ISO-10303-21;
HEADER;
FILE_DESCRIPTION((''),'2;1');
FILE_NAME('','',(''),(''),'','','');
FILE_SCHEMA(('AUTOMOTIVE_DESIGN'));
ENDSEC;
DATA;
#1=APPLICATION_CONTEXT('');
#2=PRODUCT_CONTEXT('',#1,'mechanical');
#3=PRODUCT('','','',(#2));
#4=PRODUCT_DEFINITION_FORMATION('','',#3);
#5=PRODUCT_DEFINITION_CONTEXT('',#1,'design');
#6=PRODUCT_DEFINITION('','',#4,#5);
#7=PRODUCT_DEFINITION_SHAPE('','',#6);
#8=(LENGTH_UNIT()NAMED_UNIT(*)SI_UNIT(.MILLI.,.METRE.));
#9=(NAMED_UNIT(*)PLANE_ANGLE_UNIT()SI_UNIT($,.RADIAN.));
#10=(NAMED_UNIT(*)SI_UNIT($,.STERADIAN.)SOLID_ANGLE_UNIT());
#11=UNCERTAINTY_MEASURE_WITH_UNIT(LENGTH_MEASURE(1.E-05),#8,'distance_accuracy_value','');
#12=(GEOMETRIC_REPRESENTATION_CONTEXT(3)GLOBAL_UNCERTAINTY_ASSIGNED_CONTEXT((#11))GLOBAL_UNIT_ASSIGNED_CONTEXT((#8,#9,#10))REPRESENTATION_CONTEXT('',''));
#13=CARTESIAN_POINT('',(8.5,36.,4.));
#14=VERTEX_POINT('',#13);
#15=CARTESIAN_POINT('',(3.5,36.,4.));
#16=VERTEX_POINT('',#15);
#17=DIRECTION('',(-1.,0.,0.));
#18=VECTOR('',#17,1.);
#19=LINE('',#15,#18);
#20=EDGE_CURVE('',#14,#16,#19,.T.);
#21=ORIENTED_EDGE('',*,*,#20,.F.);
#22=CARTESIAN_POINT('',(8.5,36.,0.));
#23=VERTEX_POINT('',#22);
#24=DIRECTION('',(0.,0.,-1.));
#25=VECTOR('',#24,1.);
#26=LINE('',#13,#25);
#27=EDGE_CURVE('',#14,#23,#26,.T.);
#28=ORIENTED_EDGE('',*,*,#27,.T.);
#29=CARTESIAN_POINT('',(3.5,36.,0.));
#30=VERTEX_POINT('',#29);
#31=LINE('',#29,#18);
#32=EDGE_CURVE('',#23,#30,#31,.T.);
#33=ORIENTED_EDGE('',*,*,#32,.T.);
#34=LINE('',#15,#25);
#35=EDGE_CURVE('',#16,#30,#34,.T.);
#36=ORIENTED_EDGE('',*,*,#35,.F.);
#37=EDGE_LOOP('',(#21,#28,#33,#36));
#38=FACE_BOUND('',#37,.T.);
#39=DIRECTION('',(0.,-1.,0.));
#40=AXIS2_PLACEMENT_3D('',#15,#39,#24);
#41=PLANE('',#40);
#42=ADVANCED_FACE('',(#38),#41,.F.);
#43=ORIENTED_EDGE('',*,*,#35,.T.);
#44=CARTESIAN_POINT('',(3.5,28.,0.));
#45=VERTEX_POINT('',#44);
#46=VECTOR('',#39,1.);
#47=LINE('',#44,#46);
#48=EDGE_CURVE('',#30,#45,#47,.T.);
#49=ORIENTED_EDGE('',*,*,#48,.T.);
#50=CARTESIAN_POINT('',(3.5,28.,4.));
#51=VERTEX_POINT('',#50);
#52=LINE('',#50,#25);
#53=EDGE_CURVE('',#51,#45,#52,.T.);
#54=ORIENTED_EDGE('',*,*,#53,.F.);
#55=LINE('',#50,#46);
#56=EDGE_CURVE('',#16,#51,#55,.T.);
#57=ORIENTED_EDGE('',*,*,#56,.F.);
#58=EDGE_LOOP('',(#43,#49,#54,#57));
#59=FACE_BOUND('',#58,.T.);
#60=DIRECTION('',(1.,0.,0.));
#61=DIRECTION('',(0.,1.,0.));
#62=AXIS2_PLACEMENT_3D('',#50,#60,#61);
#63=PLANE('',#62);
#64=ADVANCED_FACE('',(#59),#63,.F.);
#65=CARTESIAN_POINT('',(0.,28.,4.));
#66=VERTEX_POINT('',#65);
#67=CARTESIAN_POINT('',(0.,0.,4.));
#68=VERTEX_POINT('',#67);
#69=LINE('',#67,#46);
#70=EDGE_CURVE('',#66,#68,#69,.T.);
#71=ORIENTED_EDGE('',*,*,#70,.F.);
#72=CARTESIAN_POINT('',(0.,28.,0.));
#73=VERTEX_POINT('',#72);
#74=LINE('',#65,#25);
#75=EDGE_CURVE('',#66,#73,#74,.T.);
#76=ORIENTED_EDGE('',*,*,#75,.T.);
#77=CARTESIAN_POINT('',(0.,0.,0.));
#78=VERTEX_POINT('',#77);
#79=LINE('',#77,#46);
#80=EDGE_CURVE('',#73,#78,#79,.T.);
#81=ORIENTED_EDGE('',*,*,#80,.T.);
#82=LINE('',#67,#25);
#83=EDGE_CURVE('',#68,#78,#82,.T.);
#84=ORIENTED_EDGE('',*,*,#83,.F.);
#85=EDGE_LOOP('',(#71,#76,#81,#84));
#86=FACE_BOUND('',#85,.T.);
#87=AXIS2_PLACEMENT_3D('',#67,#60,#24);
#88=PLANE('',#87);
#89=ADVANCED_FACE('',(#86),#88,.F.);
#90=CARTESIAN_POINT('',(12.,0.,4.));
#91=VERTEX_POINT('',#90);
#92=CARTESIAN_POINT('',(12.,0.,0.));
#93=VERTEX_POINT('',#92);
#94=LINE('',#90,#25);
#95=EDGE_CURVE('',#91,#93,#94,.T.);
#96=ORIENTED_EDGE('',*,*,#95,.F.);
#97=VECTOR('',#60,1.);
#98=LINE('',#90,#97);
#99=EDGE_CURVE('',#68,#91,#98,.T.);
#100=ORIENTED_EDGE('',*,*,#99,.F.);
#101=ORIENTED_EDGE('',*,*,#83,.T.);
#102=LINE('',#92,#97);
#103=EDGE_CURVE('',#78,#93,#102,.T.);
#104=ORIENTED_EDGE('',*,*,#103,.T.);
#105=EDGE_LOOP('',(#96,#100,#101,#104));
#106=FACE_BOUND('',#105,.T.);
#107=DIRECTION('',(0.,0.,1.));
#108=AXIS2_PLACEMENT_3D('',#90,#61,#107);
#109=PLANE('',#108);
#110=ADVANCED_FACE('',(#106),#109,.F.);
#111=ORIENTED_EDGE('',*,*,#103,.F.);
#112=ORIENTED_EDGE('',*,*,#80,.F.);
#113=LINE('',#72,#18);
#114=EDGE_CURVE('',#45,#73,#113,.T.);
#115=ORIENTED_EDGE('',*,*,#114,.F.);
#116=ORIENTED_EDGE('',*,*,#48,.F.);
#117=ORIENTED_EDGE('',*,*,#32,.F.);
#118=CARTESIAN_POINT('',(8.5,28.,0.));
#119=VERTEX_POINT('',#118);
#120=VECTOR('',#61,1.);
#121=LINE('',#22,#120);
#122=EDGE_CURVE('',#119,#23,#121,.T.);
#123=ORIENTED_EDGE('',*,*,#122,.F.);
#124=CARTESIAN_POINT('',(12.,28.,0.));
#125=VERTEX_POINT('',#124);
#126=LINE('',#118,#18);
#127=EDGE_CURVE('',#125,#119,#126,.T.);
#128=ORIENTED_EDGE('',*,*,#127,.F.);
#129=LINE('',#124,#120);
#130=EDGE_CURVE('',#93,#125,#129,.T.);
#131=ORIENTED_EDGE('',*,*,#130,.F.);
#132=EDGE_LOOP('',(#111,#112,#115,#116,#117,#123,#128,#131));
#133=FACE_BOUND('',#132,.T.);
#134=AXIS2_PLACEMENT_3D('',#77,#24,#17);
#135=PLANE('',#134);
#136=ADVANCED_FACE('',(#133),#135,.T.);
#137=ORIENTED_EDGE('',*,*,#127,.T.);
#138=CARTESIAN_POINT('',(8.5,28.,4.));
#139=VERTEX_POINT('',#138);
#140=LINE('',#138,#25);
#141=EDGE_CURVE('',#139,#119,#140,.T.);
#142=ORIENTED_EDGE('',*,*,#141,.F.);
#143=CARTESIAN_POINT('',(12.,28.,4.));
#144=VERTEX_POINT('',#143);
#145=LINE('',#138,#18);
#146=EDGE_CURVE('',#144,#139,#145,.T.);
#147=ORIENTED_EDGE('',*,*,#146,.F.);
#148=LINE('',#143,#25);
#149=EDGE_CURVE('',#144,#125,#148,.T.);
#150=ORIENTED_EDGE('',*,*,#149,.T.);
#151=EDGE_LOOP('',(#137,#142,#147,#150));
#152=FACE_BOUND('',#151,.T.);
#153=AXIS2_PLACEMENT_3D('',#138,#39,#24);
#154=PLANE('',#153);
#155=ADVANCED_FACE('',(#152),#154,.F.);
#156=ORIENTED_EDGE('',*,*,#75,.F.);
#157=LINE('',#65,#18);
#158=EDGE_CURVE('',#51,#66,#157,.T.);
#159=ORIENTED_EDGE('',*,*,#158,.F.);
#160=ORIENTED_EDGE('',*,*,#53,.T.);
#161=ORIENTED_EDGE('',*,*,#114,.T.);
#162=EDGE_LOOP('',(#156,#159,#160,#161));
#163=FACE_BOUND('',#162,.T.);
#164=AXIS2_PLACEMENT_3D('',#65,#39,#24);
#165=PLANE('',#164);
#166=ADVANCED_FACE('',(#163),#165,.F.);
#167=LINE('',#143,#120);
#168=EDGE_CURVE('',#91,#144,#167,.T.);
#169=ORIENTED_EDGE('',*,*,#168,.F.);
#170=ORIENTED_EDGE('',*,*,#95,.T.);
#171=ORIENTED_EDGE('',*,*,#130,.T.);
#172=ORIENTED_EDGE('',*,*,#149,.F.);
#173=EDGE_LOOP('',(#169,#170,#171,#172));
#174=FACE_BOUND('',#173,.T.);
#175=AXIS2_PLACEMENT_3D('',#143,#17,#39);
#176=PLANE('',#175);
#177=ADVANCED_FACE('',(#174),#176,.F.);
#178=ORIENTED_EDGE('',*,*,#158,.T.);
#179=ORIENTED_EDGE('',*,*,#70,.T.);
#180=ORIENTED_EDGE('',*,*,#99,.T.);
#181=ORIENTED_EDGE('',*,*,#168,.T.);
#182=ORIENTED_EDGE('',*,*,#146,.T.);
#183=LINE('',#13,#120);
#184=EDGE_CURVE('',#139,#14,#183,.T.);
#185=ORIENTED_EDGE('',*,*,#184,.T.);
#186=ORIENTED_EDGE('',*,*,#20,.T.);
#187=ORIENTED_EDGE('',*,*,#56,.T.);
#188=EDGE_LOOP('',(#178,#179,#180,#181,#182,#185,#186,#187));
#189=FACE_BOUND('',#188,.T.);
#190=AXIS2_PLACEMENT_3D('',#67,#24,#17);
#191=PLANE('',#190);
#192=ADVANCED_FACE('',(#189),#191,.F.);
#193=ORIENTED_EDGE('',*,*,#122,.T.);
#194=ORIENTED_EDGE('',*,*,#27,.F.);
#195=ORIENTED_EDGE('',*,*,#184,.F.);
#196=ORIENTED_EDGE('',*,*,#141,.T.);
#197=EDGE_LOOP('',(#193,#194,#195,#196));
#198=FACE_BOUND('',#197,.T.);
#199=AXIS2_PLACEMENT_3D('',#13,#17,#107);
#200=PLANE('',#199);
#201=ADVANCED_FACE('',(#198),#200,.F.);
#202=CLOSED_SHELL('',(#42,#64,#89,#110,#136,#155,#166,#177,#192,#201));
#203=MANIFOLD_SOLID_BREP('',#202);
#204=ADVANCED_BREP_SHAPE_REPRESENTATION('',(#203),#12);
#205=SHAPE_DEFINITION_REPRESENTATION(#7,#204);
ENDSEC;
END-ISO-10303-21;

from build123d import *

# Parameters (mm, degrees)
BOSS_EXTRUDE1_DEPTH = 4


with BuildPart() as part:
    # Sketch1 → Boss-Extrude1 (new body)
    with BuildSketch(Plane.XY):
        Polygon((0, 0), (0, 28), (3.5, 28), (3.5, 36), (8.5, 36), (8.5, 28), (12, 28), (12, 0), align=None)
    extrude(amount=BOSS_EXTRUDE1_DEPTH)


solid = part.part
